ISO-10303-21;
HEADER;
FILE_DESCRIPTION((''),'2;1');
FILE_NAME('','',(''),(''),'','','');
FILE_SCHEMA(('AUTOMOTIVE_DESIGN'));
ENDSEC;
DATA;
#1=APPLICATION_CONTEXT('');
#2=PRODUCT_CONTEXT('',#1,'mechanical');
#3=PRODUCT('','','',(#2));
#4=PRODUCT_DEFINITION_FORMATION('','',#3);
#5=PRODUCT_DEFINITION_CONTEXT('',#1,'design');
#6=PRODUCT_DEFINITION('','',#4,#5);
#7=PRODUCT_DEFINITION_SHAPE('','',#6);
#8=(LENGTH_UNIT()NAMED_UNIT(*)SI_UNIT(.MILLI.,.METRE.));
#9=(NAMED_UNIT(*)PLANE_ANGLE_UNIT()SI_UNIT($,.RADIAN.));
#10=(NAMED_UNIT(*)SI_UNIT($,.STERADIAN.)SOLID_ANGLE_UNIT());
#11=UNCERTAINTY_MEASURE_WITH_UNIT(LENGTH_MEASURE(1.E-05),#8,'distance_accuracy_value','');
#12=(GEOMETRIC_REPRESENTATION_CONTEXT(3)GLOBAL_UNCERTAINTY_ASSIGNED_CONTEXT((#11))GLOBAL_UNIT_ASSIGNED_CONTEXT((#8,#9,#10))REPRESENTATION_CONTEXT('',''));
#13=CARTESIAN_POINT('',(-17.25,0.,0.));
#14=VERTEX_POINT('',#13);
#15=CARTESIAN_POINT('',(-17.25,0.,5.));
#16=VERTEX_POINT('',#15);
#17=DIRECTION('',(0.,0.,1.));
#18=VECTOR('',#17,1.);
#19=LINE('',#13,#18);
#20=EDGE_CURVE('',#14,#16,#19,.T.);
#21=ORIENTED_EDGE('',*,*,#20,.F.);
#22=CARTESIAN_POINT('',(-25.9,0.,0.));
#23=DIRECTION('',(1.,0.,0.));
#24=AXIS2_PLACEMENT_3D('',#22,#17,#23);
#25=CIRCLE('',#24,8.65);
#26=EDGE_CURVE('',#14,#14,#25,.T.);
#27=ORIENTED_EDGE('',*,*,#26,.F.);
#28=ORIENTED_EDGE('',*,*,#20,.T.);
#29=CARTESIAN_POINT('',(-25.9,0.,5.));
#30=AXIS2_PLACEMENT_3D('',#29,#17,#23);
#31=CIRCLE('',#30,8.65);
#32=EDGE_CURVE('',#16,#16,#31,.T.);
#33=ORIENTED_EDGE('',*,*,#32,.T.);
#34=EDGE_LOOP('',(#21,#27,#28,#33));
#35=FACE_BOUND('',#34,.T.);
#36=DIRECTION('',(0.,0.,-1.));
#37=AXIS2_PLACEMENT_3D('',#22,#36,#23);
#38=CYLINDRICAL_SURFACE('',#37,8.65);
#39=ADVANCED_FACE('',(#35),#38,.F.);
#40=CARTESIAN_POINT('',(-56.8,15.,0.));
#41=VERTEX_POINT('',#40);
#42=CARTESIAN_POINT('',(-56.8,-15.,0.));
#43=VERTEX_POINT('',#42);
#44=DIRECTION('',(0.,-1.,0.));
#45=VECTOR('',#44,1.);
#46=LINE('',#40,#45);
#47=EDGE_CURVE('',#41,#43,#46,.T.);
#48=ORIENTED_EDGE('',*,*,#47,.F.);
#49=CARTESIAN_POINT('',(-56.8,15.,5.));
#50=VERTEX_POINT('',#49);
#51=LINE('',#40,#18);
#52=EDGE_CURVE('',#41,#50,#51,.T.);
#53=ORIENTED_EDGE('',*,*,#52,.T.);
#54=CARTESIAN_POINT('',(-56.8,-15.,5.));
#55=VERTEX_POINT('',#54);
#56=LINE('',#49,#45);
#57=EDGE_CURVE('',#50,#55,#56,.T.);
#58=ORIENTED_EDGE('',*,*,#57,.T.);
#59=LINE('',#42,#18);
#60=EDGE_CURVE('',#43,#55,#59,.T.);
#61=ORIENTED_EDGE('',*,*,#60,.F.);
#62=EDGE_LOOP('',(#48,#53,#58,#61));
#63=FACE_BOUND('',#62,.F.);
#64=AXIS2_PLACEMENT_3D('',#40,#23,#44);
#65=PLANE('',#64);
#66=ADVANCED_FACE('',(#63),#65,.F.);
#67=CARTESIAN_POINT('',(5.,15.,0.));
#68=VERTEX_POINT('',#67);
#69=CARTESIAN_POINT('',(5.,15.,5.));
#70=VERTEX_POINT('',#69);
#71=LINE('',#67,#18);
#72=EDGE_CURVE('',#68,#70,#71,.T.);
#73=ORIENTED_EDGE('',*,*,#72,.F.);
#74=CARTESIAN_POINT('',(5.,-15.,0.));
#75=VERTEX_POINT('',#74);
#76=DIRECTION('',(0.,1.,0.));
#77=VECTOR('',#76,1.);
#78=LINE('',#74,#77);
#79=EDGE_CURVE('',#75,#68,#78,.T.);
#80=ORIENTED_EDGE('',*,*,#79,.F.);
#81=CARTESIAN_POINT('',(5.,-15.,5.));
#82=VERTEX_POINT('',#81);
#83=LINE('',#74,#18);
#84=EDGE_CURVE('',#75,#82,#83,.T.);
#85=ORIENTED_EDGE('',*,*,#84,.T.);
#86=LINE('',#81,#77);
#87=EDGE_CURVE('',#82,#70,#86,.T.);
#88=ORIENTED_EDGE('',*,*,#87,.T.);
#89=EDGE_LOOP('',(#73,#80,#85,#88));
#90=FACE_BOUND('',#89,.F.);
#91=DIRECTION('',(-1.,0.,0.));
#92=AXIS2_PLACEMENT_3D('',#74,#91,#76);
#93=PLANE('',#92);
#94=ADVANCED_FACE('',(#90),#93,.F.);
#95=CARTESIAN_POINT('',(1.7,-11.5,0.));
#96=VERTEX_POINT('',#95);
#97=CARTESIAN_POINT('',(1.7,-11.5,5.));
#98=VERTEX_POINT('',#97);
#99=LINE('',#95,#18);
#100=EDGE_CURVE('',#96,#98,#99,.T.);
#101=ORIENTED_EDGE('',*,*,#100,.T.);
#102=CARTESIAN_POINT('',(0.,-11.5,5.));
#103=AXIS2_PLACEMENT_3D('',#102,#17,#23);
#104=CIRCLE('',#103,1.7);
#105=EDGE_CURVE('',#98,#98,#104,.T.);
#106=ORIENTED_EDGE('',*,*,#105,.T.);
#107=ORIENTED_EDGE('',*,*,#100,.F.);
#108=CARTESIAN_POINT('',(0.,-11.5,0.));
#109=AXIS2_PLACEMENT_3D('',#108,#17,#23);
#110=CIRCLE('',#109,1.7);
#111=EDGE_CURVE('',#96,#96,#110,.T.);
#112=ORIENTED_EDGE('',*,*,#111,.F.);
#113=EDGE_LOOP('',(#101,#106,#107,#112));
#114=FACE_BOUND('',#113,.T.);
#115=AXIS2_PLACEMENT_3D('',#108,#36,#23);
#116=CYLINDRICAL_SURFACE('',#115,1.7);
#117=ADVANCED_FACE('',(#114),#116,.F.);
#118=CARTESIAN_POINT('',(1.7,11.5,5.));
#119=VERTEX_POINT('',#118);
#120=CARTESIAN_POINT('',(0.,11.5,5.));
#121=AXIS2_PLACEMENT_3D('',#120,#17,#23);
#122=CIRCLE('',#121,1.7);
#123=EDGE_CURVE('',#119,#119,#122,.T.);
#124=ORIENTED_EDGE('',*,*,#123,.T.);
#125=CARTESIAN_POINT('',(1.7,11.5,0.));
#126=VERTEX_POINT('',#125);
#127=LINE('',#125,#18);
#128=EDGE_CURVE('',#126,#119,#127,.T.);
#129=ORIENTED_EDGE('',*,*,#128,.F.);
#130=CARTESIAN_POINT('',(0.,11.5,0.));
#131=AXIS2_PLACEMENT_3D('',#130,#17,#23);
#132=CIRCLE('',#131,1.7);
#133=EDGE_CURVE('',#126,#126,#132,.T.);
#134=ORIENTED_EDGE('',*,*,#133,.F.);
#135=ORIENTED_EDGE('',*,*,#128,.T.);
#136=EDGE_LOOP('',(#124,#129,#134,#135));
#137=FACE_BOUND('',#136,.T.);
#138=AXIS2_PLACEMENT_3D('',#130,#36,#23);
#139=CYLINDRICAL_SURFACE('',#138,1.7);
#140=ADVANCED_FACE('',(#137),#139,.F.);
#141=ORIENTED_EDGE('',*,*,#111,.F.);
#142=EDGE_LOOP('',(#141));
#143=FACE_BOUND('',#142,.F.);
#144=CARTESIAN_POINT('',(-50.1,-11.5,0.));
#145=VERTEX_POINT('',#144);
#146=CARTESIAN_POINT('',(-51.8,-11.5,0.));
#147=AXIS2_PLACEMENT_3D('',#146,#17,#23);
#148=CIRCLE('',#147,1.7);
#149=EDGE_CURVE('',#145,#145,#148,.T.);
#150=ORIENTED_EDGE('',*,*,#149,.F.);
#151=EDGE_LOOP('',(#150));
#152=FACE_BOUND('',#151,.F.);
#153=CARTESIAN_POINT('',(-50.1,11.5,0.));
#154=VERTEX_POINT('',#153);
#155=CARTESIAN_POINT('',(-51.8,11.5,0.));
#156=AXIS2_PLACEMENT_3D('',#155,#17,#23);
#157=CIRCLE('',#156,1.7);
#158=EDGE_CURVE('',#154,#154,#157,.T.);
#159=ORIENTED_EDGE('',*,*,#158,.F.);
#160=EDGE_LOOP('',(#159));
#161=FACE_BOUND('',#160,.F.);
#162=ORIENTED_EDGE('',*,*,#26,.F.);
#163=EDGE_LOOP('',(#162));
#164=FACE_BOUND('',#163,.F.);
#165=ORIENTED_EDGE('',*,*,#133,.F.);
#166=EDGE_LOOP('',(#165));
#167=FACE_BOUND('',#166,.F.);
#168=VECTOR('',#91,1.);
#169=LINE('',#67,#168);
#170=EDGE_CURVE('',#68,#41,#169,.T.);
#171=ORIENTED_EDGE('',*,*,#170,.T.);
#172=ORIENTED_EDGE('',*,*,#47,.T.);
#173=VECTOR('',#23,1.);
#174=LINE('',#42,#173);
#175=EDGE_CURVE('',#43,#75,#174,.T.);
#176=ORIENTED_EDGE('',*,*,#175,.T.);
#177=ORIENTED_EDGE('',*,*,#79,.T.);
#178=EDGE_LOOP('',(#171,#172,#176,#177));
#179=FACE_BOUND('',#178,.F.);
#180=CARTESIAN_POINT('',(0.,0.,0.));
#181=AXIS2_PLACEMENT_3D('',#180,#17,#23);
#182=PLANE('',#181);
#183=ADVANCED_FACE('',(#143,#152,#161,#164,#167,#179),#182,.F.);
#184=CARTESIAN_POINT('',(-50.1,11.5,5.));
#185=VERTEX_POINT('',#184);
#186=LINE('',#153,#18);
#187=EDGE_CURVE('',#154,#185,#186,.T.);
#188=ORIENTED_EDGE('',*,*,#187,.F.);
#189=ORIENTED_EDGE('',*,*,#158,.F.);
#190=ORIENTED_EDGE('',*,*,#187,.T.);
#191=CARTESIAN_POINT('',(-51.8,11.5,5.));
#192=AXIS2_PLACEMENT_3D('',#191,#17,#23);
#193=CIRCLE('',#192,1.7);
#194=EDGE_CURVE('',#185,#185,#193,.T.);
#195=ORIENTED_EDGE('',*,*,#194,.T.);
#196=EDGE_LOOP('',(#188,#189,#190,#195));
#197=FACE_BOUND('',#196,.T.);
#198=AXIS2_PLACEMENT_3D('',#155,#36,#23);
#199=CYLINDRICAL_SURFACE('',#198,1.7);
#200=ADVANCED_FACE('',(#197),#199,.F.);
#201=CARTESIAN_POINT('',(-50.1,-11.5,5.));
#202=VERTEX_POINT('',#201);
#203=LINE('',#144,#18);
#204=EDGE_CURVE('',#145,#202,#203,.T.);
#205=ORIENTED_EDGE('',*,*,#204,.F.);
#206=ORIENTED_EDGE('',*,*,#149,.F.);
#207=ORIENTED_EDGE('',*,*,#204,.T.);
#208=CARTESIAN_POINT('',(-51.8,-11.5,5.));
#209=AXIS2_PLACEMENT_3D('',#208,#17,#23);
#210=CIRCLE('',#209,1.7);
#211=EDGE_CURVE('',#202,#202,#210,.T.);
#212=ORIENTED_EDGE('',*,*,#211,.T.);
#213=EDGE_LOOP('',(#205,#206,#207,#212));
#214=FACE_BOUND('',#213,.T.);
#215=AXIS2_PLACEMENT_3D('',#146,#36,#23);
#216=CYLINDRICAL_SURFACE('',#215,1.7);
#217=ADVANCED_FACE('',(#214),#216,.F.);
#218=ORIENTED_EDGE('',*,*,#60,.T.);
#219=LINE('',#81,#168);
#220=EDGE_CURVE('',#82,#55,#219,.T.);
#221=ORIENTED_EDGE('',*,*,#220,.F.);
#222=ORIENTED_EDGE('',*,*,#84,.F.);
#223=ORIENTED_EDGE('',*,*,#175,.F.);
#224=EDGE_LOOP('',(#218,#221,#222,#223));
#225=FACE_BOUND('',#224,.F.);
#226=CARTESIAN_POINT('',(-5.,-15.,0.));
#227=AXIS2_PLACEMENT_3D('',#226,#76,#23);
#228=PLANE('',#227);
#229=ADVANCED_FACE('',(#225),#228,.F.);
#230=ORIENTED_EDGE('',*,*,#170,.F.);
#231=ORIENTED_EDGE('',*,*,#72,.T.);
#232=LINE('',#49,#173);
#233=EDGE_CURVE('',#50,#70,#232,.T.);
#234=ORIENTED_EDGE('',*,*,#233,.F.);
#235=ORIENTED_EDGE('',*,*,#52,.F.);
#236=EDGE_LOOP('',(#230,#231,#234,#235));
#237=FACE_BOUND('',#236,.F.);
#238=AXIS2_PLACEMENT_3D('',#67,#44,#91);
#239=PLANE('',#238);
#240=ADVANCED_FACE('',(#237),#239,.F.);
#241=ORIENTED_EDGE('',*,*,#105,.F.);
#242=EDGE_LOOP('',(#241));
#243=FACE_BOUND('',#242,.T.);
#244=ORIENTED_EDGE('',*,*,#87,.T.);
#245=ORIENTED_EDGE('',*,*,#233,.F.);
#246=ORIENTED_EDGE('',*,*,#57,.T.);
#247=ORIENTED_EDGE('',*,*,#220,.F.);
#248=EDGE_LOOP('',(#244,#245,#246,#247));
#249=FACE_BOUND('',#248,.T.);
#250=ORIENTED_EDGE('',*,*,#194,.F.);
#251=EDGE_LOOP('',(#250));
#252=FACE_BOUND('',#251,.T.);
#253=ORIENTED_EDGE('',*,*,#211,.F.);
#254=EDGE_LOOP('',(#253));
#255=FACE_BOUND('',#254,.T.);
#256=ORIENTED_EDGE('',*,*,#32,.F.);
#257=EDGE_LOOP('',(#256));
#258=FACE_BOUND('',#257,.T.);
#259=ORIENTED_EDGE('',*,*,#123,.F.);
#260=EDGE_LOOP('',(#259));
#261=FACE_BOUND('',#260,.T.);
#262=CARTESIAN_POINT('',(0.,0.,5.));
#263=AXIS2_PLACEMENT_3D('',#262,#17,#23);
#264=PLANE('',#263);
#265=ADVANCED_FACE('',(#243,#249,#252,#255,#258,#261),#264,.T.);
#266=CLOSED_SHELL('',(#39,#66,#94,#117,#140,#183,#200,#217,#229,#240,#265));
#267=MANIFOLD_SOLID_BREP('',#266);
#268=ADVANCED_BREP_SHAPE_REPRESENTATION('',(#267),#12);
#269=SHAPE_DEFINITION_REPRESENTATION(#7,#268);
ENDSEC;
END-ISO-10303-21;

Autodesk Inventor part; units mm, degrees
ref_plane "YZ Plane" through (0, 0, 0) normal (1, 0, 0) x (0, 1, 0)
ref_plane "XZ Plane" through (0, 0, 0) normal (0, 1, 0) x (-1, 0, 0)
ref_plane "XY Plane" through (0, 0, 0) normal (0, 0, 1) x (1, 0, 0)
sketch "Sketch1" plane through (0, 0, 0) normal (0, 0, 1) x (1, 0, 0)
  circle A0 centre (0, -32.5) radius 1.7 projected
  circle A1 centre (0, 11.5) radius 1.7 projected
  circle A2 centre (0, -11.5) radius 1.7 projected
  line L0 (5, 15) -> (-5, 15) projected
  line L1 (-5, 15) -> (-5, -15) projected
  line L2 (-5, -15) -> (5, -15) projected
  line L3 (5, -15) -> (5, 15) projected
  circle A3 centre (-51.8, 11.5) radius 1.7 projected
  circle A4 centre (-51.8, -11.5) radius 1.7 projected
  line L4 (-46.8, 15) -> (-56.8, 15) projected
  line L5 (-56.8, 15) -> (-56.8, -15) projected
  line L6 (-56.8, -15) -> (-46.8, -15) projected
  line L7 (-46.8, -15) -> (-46.8, 15) projected
  line L8 (-56.8, 15) -> (5, 15)
  line L9 (5, 15) -> (5, -15)
  line L10 (5, -15) -> (-56.8, -15)
  line L11 (-56.8, -15) -> (-56.8, 15)
  line L12 (-5, 0) -> (-46.8, 0) construction
  line L13 (-25.9, -15) -> (-25.9, 15) construction
  circle A5 centre (-25.9, 0) radius 8.65
  point P0 (0, 0)
  point P1 (-5, 15)
  point P2 (-46.8, 15)
  point P3 (-46.8, -15)
  point P4 (-5, -15)
  point P5 (-46.8, -15)
  point P6 (-56.8, -15)
  point P7 (-5, 15)
  point P8 (-46.8, 15)
  point P9 (-56.8, -15)
  dimension "d0" = 17.3
extrude "Extrusion1" add sketch "Sketch1" along normal blind 5 contours L3 L2 L1 L0 | L1 L10 L7 L8 | L7 L6 L5 L4
properties part number "CenterPointBracket"
